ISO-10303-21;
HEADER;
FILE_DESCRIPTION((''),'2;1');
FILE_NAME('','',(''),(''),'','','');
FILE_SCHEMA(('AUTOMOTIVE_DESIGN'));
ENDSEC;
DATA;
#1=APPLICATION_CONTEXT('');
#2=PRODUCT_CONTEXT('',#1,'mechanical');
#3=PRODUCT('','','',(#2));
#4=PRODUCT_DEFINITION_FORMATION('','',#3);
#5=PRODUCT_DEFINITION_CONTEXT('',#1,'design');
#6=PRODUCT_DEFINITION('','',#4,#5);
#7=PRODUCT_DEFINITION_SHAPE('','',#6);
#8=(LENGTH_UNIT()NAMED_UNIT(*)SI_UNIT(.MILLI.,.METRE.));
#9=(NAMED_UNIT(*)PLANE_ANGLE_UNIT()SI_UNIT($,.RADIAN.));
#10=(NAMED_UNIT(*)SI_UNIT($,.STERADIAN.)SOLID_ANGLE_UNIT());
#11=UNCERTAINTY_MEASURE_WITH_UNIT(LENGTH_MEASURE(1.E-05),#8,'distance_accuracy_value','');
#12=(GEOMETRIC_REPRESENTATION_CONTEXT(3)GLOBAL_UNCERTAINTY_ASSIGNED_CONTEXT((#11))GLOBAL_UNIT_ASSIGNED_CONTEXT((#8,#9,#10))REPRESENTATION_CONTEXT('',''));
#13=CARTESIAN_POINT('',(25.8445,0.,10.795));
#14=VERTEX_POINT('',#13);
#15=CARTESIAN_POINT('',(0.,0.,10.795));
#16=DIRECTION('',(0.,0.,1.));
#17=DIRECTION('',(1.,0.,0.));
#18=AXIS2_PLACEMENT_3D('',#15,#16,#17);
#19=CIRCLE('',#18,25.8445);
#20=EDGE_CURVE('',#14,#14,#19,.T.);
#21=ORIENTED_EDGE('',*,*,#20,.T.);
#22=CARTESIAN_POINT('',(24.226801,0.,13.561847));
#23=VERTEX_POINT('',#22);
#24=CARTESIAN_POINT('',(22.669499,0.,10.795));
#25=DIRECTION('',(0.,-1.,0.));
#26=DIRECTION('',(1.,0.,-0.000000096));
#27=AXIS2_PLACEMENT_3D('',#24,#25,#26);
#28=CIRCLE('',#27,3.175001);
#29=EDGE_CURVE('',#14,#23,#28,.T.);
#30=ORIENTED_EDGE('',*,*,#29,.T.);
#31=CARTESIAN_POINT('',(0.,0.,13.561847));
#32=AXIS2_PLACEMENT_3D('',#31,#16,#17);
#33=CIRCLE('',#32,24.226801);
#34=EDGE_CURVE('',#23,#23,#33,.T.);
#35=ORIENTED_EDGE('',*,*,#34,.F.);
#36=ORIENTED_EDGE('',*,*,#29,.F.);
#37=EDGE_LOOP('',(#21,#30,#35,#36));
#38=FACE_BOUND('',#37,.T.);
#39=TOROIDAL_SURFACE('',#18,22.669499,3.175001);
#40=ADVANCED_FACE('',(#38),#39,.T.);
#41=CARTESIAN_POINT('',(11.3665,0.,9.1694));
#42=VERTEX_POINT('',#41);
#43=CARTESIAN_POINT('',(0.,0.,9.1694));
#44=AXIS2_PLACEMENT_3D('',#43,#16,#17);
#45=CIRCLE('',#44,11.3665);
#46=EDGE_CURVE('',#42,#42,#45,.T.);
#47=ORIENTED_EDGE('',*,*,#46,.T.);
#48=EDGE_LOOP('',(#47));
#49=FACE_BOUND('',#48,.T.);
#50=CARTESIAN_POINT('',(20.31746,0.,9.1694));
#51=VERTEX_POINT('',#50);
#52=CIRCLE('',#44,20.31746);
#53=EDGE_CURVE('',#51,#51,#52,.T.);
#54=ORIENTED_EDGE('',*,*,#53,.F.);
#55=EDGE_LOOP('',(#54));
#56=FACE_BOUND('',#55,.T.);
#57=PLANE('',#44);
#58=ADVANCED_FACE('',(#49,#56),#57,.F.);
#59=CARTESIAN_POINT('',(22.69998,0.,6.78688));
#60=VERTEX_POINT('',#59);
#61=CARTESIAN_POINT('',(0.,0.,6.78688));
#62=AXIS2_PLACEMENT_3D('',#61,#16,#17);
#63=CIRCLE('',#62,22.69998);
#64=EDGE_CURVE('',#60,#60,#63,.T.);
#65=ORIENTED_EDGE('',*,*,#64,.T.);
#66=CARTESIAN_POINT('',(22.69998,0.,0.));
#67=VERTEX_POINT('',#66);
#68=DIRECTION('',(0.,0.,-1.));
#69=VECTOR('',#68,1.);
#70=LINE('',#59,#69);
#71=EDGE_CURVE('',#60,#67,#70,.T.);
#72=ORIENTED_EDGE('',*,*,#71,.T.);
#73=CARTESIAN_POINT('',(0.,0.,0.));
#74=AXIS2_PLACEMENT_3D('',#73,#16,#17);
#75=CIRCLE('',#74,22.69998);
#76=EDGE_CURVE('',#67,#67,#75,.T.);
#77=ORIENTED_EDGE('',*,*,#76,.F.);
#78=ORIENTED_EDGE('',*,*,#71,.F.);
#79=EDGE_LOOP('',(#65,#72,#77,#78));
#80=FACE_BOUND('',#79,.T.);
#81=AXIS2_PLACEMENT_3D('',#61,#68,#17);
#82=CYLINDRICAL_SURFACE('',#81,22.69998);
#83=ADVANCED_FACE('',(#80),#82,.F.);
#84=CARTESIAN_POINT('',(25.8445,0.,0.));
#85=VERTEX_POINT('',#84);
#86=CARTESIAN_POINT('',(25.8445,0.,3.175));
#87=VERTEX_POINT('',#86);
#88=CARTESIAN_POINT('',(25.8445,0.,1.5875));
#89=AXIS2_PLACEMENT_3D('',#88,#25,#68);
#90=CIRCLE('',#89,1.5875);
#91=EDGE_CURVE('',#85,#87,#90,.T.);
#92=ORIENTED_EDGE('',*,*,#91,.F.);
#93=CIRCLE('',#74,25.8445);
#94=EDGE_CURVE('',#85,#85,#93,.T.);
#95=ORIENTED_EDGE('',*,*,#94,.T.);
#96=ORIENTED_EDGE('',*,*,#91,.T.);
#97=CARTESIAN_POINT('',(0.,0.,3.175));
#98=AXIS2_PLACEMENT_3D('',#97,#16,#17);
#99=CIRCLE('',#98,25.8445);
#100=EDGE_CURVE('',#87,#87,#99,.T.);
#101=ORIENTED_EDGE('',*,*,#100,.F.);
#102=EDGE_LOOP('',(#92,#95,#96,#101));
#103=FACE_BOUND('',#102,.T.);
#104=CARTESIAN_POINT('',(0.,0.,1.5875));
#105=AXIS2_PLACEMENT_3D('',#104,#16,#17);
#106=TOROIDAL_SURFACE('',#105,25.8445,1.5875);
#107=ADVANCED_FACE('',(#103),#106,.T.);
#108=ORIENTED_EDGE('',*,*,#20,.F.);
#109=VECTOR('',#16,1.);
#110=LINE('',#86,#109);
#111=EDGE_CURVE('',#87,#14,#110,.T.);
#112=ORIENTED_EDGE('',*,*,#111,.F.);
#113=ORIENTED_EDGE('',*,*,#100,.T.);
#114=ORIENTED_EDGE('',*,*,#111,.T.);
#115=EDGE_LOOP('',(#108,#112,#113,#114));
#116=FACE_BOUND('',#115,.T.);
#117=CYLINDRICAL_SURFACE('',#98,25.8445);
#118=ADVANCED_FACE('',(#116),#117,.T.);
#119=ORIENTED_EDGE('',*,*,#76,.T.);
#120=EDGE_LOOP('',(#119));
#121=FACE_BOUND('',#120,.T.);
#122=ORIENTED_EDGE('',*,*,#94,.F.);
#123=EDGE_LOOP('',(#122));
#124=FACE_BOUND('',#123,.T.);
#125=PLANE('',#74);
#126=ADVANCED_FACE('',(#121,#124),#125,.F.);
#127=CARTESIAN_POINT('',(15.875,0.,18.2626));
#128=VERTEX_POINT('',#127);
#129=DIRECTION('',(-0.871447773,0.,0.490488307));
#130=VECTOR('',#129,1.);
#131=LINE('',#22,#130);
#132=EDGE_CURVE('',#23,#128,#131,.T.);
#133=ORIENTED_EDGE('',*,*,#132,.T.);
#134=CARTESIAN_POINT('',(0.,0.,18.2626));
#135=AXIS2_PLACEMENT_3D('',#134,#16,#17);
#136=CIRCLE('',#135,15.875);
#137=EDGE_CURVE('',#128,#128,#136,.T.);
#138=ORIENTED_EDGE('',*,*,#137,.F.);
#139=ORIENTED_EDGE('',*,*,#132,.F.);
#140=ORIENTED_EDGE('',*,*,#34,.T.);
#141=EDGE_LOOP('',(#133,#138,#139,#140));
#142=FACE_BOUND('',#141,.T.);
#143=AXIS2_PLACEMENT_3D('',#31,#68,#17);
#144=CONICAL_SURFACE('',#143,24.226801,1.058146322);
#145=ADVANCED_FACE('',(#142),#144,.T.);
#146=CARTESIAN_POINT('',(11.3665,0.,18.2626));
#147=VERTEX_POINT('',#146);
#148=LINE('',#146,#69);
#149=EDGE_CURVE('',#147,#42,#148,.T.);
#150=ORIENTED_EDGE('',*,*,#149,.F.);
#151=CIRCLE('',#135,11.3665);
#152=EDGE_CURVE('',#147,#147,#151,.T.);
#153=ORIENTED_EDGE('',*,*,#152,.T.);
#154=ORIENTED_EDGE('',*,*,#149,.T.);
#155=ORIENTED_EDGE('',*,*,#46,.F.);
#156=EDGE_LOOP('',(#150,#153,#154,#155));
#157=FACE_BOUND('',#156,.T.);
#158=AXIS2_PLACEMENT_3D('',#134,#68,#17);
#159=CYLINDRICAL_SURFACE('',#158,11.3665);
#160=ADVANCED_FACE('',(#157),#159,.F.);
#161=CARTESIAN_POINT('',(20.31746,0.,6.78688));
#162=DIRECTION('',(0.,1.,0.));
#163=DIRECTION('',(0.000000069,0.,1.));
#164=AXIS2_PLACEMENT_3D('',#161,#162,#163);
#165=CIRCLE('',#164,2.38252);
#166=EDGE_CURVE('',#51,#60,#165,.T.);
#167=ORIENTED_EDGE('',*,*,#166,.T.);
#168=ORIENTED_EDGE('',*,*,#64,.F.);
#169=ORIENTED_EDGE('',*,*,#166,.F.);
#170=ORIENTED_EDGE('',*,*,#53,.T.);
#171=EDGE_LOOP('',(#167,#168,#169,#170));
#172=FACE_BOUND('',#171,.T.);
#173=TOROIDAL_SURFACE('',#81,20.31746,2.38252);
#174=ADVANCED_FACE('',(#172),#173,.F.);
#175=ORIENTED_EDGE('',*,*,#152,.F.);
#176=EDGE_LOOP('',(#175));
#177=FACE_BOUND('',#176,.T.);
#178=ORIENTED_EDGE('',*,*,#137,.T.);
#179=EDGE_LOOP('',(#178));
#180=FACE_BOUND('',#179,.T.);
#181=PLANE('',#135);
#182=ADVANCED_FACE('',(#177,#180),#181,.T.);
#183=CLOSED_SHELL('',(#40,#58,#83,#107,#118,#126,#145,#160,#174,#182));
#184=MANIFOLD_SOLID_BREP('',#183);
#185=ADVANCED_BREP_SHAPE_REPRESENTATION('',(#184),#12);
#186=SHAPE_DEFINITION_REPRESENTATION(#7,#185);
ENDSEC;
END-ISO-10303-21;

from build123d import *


with BuildPart() as f1:
    # F0 (on Front) → F1 (revolve)
    with BuildSketch(Plane.XZ):
        with BuildLine():
            Line((22.69998, 6.78688), (22.69998, 0))
            Line((22.69998, 0), (25.8445, 0))
            ThreePointArc((25.8445, 0), (27.432, 1.5875), (25.8445, 3.175))
            Line((25.8445, 3.175), (25.8445, 10.795))
            ThreePointArc((25.8445, 10.795), (25.410399, 12.397529), (24.226801, 13.561847))
            Line((24.226801, 13.561847), (15.875, 18.2626))
            Line((15.875, 18.2626), (11.3665, 18.2626))
            Line((11.3665, 18.2626), (11.3665, 9.1694))
            Line((11.3665, 9.1694), (20.31746, 9.1694))
            ThreePointArc((20.31746, 9.1694), (22.002156, 8.471576), (22.69998, 6.78688))
        make_face()
    revolve(axis=Axis((0, 0, 12.780054), (0, 0, 1)))


solid = f1.part
